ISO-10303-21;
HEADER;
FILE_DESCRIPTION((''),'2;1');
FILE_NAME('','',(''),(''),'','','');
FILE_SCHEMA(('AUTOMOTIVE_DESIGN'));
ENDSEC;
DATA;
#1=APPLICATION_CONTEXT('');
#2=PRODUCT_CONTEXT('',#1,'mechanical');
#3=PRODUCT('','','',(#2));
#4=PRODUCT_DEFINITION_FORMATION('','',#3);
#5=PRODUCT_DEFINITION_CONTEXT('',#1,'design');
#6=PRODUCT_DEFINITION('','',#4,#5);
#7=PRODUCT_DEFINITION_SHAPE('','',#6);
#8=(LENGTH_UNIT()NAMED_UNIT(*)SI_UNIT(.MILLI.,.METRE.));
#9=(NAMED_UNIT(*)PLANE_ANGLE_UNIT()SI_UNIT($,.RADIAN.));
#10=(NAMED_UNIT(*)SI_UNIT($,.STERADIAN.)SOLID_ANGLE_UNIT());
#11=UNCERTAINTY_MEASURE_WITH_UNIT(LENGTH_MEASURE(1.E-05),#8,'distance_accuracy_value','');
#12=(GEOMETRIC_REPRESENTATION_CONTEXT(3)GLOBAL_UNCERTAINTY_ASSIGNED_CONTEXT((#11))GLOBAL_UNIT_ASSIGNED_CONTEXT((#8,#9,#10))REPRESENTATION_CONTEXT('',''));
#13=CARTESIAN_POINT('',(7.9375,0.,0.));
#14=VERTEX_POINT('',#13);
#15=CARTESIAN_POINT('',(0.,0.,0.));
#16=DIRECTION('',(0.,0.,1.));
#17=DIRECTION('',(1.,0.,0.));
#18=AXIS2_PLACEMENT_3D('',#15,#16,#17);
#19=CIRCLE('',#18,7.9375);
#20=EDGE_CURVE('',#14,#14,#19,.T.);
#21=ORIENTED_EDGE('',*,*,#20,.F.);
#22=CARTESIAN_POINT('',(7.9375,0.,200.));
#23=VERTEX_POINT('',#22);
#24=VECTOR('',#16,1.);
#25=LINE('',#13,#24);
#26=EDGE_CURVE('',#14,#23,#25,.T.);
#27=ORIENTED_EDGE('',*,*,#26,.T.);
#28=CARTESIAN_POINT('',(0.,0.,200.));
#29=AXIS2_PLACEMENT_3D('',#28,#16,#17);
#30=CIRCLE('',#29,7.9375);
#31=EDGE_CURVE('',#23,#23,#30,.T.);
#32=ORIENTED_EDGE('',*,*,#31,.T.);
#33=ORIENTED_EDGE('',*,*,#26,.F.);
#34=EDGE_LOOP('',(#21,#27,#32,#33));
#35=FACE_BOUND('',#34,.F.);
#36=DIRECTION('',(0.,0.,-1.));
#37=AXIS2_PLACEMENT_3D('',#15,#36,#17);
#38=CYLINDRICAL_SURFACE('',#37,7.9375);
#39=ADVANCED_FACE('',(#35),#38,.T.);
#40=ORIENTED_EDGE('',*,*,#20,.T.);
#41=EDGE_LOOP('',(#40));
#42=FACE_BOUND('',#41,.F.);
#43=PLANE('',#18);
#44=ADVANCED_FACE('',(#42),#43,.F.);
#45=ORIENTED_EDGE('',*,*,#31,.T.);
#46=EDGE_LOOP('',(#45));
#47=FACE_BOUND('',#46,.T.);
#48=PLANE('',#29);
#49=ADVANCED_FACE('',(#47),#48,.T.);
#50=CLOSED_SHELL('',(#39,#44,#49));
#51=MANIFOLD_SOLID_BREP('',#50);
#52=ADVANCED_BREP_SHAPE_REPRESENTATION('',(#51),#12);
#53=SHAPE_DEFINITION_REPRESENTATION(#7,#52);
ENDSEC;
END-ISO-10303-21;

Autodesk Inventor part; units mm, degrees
ref_plane "YZ Plane" through (0, 0, 0) normal (1, 0, 0) x (0, 1, 0)
ref_plane "XZ Plane" through (0, 0, 0) normal (0, 1, 0) x (-1, 0, 0)
ref_plane "XY Plane" through (0, 0, 0) normal (0, 0, 1) x (1, 0, 0)
sketch "Sketch1" plane through (0, 0, 0) normal (0, 0, 1) x (1, 0, 0)
  circle A0 centre (0, 0) radius 7.9375
  dimension "d0" = 15.875
extrude "Extrusion1" add sketch "Sketch1" along normal blind 200
properties part number "axle shaft"
